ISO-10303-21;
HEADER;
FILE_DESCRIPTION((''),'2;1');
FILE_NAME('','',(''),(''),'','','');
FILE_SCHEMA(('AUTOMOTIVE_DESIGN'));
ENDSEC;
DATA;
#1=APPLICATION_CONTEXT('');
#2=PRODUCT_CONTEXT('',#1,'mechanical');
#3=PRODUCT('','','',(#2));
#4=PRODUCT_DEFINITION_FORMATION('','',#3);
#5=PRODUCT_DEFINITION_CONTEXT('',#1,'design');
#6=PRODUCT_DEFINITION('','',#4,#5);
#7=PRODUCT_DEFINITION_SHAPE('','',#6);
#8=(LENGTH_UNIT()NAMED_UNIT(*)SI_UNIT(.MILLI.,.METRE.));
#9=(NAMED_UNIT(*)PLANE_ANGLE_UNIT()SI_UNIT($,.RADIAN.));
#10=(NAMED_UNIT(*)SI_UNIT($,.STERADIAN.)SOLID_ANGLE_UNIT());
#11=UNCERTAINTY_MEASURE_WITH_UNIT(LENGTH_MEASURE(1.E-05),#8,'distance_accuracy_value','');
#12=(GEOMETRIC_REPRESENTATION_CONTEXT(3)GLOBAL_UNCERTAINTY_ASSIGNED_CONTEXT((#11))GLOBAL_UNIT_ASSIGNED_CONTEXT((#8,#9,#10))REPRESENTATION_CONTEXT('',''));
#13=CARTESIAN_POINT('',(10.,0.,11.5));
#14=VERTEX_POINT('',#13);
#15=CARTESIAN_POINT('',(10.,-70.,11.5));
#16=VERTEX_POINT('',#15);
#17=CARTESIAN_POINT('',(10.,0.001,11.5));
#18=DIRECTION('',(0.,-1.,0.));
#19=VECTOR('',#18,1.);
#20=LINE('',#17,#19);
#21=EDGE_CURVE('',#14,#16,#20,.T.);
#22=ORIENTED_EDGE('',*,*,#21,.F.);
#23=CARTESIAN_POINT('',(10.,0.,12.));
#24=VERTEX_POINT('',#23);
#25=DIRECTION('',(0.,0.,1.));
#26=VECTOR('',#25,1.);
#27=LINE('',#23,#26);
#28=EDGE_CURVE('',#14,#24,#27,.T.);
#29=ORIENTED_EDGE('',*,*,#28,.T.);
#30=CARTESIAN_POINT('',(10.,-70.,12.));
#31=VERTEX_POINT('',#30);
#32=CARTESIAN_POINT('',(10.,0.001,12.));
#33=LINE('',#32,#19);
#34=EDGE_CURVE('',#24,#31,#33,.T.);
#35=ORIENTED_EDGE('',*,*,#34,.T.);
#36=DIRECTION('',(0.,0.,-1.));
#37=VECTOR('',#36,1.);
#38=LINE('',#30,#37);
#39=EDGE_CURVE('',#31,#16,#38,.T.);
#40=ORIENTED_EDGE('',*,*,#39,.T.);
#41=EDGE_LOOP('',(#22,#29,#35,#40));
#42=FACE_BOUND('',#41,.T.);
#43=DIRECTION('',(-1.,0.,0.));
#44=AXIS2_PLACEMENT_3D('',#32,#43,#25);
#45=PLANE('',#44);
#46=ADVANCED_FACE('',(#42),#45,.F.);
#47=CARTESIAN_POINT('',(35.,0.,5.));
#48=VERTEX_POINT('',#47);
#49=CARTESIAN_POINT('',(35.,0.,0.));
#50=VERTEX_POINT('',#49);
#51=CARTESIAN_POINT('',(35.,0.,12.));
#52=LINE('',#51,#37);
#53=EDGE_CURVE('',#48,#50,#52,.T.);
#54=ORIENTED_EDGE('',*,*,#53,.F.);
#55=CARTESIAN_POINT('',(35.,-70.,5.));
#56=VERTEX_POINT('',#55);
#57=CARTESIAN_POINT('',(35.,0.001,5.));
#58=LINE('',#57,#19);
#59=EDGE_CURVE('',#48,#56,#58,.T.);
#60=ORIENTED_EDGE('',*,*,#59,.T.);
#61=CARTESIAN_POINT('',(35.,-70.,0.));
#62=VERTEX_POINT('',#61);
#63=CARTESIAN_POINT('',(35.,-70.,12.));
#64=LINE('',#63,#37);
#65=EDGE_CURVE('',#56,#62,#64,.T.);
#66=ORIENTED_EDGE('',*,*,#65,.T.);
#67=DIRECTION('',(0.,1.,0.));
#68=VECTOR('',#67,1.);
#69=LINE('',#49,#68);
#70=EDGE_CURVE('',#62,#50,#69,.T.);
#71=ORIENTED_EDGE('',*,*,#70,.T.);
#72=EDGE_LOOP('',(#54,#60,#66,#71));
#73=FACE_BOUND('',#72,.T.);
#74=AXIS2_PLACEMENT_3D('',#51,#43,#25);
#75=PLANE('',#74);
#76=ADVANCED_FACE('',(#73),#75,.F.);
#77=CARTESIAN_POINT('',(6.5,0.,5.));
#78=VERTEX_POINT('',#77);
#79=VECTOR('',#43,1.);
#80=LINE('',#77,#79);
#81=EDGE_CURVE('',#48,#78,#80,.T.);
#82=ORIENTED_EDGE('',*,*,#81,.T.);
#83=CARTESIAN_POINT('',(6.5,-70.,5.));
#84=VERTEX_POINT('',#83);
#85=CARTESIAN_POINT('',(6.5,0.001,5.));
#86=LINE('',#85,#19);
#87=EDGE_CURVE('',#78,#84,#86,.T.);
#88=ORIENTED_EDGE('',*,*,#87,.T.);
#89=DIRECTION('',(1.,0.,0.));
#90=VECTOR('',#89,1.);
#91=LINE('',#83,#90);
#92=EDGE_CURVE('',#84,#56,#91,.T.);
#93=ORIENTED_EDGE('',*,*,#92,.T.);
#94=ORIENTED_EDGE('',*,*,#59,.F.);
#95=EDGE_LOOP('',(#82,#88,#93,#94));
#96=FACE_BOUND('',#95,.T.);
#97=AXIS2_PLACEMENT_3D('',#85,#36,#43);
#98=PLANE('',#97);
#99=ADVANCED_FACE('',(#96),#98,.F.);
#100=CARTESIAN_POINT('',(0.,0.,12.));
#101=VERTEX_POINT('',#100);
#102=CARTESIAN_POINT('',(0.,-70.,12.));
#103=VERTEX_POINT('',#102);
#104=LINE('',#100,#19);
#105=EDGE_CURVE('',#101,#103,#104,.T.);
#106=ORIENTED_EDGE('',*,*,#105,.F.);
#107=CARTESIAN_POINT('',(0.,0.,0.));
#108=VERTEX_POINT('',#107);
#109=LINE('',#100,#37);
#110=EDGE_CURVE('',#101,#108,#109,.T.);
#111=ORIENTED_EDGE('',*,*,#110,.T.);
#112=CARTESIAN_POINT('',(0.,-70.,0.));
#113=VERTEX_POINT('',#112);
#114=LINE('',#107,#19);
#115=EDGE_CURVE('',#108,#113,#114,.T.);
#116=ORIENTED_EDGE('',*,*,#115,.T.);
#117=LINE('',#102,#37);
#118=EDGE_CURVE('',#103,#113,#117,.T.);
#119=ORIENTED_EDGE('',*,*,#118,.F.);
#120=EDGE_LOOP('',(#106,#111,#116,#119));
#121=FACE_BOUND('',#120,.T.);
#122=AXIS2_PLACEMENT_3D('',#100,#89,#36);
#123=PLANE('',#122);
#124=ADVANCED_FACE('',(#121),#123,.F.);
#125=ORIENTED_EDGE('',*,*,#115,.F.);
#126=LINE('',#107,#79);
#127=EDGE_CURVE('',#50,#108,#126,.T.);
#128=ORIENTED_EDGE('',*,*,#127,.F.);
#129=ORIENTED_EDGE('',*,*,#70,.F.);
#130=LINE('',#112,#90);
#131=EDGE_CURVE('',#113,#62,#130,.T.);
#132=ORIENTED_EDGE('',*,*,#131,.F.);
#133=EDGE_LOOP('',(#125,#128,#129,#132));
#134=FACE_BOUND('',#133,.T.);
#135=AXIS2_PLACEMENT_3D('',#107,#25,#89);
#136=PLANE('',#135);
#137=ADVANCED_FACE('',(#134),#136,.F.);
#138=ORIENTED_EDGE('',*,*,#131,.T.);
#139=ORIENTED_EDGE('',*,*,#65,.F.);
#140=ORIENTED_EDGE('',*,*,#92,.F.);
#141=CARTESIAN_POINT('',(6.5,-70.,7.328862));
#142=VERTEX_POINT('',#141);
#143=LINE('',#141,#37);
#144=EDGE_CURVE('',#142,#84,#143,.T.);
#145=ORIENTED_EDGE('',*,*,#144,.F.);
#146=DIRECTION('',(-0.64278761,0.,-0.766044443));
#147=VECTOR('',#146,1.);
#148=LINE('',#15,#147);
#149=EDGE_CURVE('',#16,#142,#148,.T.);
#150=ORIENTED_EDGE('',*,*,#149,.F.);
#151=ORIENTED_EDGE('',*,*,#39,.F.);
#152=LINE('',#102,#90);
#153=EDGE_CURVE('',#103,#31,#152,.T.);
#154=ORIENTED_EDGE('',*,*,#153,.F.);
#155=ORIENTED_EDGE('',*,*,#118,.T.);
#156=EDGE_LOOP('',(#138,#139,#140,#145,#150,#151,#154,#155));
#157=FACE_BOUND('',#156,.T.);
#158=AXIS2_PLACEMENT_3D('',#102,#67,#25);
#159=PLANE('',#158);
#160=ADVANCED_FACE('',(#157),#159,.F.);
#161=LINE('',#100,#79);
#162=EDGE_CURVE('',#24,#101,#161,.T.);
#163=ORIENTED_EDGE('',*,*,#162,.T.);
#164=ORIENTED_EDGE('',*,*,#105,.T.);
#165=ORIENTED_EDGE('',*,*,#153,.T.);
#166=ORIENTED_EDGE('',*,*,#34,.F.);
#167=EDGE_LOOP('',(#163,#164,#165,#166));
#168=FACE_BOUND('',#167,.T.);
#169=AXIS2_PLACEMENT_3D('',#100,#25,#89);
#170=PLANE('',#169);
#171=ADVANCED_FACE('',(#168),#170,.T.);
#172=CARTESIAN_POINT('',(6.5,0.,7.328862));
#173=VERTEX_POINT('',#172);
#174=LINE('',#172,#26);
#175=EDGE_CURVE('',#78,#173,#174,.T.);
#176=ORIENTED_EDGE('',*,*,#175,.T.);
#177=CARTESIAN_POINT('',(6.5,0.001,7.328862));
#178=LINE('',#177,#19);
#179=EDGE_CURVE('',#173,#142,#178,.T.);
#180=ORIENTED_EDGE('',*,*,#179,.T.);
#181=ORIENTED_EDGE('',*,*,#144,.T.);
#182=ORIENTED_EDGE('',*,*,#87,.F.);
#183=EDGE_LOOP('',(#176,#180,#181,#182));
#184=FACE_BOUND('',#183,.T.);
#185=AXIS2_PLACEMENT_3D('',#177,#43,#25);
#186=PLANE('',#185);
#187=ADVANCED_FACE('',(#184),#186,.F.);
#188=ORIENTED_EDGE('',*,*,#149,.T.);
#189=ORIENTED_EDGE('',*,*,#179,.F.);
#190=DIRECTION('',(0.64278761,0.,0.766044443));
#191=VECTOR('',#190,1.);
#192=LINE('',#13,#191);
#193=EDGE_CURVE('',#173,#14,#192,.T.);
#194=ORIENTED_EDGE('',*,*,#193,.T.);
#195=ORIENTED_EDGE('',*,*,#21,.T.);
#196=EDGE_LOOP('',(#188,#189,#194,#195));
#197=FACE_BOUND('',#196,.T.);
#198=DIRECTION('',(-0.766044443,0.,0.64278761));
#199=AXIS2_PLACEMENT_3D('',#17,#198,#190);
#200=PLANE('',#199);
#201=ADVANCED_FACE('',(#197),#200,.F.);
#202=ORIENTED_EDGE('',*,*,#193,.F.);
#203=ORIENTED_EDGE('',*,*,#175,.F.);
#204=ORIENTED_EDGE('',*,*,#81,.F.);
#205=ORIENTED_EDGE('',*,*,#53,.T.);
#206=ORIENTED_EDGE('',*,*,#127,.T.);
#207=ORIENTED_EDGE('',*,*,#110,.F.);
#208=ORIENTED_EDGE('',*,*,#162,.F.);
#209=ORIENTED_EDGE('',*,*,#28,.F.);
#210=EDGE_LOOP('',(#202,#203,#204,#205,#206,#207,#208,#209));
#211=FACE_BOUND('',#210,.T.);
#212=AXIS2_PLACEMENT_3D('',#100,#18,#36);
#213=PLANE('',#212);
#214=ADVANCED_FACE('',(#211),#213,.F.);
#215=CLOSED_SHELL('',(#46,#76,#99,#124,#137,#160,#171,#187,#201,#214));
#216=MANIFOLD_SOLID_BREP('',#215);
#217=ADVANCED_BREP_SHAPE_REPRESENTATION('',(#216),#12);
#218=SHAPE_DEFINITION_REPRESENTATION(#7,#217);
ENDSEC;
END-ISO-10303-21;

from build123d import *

# Parameters (mm, degrees)
SKETCH_1_W          = 35
SKETCH_1_H          = 70
EXTRUDE_1_DEPTH     = 12
CUT_EXTRUDE_1_REACH = 81.177


with BuildPart() as part:
    # 草图1 → 凸台-拉伸1 (new body)
    with BuildSketch(Plane.XY):
        with Locations((17.5, -35)):
            Rectangle(SKETCH_1_W, SKETCH_1_H)
    extrude(amount=EXTRUDE_1_DEPTH)

    # 草图2 → 切除-拉伸1 (cut, up to next)
    with BuildSketch(Plane.XZ.offset(70), mode=Mode.PRIVATE) as cut_extrude_1_sk1:
        Polygon((10, 12), (10, 11.5), (6.5, 7.328862426), (6.5, 5), (35, 5), (35, 12), align=None)
    cut_extrude_1_tool1 = extrude(cut_extrude_1_sk1.sketch, amount=-CUT_EXTRUDE_1_REACH, mode=Mode.PRIVATE) & part.part
    add(cut_extrude_1_tool1.solids().sort_by_distance((21.366311, -70, 8.408444))[0], mode=Mode.SUBTRACT)


solid = part.part
